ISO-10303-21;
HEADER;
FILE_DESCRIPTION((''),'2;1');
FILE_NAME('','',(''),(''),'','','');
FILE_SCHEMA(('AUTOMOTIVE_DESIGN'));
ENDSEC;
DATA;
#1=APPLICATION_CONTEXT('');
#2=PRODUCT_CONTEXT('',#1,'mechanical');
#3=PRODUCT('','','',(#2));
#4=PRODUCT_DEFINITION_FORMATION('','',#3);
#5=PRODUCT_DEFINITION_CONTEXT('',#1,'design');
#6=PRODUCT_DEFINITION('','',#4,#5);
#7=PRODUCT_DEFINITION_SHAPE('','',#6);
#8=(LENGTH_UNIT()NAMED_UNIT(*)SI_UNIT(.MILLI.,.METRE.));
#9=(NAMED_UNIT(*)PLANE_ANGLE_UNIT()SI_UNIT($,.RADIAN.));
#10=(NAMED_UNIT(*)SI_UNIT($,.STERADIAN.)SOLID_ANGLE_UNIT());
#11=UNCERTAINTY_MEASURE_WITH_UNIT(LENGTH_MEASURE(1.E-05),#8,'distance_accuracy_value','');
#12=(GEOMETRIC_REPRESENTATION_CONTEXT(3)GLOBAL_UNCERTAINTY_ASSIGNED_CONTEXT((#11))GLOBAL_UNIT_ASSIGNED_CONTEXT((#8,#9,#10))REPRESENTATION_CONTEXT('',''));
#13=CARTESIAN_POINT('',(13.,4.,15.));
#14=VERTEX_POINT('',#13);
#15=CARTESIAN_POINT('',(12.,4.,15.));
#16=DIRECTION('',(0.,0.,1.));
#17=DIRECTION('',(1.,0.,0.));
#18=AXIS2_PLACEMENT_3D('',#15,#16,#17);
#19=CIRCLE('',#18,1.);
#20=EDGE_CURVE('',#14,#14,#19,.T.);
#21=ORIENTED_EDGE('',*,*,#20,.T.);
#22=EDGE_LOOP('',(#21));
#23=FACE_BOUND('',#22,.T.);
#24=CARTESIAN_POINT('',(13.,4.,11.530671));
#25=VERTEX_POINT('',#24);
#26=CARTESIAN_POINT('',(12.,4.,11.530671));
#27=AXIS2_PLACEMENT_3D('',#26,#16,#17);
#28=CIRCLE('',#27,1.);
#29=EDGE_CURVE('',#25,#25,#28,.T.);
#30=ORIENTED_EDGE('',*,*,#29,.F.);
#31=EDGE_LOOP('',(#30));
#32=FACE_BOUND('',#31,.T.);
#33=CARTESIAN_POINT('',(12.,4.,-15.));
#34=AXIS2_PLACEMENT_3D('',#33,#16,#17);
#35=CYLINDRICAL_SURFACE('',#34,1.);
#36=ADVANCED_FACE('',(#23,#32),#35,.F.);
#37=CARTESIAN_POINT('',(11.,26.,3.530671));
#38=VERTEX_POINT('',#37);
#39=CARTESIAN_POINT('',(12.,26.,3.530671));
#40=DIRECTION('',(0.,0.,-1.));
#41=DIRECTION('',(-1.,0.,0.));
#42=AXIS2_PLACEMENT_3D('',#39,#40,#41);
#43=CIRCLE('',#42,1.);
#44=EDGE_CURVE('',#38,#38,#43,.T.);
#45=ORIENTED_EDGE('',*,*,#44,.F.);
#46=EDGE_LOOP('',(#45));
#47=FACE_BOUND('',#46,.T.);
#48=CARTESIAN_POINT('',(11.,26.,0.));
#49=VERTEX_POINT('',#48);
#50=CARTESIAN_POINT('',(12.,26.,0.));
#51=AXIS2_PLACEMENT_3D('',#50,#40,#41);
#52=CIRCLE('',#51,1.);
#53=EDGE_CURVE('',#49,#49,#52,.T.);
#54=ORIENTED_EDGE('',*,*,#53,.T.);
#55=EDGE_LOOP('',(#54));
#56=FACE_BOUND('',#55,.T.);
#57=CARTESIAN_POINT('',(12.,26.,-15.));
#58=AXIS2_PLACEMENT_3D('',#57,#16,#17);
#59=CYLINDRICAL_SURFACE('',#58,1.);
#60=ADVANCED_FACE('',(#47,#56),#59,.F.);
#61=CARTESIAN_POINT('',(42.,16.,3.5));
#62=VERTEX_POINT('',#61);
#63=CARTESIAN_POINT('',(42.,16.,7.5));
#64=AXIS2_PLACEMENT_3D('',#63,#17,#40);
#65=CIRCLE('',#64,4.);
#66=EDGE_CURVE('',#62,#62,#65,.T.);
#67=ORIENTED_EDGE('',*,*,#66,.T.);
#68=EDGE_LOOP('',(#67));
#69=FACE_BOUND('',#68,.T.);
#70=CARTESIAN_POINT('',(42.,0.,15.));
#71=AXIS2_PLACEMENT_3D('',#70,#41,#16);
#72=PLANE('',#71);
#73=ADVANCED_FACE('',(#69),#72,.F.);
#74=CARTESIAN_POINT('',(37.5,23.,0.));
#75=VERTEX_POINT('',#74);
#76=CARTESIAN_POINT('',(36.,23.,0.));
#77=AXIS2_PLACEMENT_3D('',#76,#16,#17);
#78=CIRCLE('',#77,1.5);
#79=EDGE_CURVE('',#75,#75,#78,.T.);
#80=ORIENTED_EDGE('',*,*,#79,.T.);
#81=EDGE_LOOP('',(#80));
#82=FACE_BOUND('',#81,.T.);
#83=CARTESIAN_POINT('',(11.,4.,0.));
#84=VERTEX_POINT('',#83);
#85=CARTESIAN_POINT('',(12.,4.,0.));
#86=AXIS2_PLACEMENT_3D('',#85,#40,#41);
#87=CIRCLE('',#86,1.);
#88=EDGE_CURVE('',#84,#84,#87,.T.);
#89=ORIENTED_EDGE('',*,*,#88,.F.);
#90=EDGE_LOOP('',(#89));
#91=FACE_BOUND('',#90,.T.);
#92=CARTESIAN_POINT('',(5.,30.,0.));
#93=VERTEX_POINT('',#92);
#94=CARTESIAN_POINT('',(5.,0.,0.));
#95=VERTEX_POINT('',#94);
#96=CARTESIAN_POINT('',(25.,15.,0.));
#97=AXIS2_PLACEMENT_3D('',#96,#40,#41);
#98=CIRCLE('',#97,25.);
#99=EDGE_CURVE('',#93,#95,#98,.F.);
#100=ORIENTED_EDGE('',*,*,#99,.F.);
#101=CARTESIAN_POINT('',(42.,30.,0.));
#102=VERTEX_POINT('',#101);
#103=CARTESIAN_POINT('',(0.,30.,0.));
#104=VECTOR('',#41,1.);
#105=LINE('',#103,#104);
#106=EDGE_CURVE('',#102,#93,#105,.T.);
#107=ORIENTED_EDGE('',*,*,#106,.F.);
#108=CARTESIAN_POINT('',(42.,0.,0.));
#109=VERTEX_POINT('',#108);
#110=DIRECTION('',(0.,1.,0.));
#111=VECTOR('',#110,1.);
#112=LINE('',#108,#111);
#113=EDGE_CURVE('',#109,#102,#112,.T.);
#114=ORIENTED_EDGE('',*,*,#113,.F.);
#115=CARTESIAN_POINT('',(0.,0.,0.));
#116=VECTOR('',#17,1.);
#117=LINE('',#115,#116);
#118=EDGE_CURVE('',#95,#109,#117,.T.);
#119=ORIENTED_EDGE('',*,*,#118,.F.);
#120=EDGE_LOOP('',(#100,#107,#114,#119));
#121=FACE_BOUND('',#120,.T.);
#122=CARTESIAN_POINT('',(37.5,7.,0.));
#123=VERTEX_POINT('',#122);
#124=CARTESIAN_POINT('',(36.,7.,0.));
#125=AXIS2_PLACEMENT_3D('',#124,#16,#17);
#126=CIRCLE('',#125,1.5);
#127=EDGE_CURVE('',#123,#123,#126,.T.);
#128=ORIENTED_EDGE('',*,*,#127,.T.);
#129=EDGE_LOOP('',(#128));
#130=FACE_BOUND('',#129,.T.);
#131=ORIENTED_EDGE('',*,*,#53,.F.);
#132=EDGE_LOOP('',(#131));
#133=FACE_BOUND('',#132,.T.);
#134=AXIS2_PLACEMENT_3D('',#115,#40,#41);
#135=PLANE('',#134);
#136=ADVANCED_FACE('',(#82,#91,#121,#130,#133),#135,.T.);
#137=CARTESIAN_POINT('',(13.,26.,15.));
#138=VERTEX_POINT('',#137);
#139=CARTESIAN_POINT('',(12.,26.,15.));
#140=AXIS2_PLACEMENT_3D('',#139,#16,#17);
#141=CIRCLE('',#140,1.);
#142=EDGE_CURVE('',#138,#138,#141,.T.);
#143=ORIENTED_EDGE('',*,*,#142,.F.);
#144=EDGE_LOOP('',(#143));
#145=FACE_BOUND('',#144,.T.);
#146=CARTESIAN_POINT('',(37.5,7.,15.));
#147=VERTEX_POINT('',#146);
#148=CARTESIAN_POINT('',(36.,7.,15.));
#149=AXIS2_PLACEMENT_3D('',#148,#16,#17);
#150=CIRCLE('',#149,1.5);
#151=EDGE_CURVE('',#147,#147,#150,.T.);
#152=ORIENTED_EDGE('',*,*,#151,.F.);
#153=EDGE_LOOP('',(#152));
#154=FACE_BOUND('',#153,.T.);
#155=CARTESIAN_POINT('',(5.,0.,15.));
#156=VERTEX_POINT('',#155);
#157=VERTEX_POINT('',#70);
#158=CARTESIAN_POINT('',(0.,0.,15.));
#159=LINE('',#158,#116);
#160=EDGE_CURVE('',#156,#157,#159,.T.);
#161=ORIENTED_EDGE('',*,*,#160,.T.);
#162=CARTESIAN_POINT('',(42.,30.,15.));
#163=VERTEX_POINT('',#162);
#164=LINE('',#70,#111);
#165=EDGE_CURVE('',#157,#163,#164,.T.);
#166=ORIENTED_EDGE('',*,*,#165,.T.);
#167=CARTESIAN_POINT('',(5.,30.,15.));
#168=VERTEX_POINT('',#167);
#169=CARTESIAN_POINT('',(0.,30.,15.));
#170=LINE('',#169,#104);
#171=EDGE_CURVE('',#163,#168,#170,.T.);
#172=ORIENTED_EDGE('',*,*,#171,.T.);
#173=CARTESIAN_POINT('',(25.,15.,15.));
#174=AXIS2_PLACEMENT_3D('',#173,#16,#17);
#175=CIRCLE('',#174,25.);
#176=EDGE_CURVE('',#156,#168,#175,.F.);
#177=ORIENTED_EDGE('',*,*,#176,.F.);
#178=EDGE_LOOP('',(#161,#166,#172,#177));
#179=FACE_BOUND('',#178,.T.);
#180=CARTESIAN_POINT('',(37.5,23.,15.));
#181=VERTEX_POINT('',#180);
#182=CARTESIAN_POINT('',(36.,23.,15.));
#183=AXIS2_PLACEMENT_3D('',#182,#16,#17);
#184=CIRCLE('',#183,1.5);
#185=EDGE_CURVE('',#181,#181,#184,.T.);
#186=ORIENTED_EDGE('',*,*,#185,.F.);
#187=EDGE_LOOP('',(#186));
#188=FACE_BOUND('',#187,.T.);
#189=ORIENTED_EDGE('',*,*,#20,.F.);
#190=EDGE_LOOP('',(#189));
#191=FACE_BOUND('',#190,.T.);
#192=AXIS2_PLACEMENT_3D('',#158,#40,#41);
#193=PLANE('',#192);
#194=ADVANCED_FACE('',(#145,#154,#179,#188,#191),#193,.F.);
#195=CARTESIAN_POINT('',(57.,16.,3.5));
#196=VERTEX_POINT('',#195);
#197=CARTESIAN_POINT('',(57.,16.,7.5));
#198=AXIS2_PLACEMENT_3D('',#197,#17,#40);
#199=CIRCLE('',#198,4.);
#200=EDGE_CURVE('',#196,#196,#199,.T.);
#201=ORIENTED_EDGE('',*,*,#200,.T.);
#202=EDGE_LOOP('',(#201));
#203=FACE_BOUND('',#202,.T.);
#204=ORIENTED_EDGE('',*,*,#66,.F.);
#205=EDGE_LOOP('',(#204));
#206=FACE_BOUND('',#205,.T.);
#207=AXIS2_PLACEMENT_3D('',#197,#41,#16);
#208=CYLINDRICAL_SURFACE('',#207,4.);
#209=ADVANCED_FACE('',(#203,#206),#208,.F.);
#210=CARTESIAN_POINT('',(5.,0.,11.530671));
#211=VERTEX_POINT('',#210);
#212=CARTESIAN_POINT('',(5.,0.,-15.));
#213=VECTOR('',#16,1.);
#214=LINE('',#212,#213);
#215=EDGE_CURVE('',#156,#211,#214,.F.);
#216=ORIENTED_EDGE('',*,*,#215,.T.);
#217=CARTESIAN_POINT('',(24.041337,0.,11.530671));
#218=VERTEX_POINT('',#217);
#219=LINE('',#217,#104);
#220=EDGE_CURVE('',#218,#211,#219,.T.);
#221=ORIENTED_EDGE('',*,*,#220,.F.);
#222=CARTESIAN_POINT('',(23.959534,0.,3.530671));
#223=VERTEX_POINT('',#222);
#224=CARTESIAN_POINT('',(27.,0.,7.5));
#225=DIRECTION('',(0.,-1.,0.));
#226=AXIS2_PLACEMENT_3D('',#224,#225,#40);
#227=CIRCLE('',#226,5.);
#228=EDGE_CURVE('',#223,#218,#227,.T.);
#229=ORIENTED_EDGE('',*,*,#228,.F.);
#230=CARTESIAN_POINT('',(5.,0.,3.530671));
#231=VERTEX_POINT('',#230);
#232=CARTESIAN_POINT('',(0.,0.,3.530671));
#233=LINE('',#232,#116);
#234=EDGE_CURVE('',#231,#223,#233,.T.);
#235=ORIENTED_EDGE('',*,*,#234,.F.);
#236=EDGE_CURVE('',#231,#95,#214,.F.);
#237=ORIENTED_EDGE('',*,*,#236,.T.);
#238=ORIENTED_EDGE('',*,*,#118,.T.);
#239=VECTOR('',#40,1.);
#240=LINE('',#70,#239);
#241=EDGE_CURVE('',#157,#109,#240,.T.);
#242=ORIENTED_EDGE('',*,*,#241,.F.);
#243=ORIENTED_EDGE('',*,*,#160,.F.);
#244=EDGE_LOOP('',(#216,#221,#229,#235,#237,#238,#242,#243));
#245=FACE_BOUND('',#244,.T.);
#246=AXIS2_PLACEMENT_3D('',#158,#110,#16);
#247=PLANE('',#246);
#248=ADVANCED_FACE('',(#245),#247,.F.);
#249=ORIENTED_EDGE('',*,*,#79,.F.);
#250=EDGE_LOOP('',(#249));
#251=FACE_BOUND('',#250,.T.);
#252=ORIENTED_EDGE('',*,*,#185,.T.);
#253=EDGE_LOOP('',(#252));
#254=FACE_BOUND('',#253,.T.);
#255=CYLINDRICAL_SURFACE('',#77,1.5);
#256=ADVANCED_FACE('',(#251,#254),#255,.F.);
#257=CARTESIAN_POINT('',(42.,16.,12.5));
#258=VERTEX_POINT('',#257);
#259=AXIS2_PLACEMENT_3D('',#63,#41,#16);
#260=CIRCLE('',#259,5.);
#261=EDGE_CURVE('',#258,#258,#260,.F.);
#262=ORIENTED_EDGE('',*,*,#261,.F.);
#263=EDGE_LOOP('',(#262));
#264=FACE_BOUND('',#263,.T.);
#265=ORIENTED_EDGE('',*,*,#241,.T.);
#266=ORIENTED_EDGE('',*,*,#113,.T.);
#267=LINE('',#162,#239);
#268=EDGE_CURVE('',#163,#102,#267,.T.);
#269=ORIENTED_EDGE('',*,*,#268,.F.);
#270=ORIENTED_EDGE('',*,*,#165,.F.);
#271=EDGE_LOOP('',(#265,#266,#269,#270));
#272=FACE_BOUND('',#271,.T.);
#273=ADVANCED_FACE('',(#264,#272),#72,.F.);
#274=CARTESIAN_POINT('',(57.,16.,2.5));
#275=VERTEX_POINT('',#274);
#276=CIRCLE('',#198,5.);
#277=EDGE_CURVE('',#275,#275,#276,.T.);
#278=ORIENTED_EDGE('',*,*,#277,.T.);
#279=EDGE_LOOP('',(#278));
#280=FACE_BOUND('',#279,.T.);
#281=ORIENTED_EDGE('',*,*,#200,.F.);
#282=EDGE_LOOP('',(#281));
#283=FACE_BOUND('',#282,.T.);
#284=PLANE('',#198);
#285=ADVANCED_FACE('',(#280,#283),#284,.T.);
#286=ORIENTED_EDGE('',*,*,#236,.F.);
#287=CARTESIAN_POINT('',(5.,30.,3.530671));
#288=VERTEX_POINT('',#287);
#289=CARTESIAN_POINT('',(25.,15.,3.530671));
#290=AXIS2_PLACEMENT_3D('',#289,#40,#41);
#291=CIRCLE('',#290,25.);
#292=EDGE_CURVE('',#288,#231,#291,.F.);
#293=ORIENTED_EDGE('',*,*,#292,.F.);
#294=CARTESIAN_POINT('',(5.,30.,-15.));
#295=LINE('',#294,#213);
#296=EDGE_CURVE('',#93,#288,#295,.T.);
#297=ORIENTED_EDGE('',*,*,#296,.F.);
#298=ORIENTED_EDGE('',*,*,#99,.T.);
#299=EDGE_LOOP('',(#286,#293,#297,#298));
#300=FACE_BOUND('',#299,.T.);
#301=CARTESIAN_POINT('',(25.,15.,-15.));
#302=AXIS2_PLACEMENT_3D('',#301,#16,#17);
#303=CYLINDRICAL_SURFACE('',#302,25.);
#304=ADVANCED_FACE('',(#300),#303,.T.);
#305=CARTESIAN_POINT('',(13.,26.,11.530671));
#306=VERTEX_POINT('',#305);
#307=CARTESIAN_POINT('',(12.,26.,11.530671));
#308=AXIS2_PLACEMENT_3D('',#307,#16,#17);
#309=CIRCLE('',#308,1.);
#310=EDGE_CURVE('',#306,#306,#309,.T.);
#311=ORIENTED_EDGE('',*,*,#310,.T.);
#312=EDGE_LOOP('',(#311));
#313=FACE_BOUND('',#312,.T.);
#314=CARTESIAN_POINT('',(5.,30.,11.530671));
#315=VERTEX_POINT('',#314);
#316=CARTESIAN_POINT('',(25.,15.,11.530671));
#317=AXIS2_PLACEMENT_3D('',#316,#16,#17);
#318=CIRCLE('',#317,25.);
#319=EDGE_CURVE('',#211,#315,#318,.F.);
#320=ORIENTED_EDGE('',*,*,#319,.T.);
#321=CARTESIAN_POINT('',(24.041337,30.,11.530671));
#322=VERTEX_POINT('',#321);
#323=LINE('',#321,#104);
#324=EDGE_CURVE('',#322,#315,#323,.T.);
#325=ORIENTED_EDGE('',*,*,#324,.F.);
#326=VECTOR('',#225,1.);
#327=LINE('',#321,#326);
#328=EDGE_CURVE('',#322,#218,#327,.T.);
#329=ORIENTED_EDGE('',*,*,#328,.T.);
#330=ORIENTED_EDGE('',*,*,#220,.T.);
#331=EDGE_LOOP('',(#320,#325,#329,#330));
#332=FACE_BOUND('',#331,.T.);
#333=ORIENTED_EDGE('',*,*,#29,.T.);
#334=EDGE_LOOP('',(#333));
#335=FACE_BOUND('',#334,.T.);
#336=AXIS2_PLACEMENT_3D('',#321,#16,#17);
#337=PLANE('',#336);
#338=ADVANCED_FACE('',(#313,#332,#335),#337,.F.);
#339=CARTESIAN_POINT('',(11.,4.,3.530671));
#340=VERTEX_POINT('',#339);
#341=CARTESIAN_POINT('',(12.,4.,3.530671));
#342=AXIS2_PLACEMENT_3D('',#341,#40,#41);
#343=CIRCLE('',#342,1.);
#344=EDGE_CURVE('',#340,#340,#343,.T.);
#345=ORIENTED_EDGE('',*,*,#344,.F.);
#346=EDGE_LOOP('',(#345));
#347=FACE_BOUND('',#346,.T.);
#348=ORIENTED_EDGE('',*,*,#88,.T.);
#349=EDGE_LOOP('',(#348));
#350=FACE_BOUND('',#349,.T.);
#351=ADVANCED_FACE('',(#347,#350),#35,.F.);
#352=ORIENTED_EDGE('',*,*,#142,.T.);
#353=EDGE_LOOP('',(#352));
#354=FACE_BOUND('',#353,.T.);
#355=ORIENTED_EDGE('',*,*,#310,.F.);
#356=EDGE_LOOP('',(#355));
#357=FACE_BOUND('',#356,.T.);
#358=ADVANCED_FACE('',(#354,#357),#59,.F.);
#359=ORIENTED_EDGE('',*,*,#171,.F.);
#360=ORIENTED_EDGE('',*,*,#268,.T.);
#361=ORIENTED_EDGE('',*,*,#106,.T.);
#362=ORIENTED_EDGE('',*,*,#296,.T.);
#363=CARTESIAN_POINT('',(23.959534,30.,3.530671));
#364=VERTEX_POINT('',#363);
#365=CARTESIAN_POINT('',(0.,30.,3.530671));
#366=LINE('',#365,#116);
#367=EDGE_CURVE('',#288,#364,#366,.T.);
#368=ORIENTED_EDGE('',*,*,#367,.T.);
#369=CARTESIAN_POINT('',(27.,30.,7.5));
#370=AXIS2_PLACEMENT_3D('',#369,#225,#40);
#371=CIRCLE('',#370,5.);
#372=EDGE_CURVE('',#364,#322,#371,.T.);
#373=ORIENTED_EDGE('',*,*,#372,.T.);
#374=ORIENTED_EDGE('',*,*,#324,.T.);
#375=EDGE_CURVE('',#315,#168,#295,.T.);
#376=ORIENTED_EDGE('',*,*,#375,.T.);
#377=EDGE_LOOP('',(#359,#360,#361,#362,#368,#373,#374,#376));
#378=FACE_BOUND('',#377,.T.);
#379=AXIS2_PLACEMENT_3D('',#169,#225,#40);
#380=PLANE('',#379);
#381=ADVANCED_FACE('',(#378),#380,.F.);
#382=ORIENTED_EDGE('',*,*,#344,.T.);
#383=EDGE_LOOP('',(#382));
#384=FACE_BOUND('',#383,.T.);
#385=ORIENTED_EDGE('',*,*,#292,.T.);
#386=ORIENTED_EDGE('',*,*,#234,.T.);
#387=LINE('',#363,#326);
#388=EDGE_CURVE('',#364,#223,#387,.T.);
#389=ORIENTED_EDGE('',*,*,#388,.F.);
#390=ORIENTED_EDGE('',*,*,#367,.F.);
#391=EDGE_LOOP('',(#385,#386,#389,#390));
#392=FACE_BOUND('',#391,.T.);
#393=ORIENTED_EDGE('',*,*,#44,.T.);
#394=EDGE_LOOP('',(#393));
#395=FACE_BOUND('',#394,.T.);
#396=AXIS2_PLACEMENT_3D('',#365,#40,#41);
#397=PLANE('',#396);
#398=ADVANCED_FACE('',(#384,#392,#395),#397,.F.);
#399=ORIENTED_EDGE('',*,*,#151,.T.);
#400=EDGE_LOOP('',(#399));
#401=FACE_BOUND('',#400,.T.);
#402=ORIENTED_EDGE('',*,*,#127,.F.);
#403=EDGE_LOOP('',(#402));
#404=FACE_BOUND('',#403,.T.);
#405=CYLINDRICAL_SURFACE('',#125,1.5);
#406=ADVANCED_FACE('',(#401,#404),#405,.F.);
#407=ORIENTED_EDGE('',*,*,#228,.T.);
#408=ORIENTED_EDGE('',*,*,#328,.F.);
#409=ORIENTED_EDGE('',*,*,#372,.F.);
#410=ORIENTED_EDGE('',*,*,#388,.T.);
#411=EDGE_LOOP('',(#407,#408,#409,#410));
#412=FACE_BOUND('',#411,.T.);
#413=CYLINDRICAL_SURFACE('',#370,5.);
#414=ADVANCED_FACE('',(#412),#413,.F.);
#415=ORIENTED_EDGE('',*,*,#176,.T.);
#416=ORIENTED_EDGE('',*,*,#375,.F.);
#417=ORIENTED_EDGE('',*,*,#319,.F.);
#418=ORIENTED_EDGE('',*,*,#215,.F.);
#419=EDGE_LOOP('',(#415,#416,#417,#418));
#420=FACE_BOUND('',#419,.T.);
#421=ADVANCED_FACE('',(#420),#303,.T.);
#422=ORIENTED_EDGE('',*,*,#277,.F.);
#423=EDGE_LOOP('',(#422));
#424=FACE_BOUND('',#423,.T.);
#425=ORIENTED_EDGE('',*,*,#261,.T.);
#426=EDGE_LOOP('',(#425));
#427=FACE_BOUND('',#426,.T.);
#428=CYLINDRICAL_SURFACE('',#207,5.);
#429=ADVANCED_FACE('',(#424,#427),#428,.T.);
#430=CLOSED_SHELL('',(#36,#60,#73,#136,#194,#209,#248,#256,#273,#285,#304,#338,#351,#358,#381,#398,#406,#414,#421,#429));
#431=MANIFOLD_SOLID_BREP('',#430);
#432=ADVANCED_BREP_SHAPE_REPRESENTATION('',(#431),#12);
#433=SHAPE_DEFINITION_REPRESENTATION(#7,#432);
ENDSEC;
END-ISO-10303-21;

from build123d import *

# Parameters (mm, degrees)
SKETCH1_W           = 42
SKETCH1_H           = 30
BOSS_EXTRUDE1_DEPTH = 15
SKETCH3_R           = 1.5
CUT_EXTRUDE1_DEPTH  = 15
SKETCH4_R           = 5
SKETCH4_R_2         = 4
BOSS_EXTRUDE2_DEPTH = 15
CUT_EXTRUDE2_DEPTH  = 30
CUT_EXTRUDE3_DEPTH  = 30
SKETCH7_R           = 1
CUT_EXTRUDE4_DEPTH  = 30


with BuildPart() as part:
    # Sketch1 → Boss-Extrude1 (new body)
    with BuildSketch(Plane.XY):
        with Locations((21, 15)):
            Rectangle(SKETCH1_W, SKETCH1_H)
    extrude(amount=BOSS_EXTRUDE1_DEPTH)

    # Sketch3 → Cut-Extrude1 (cut)
    with BuildSketch(Plane.XY.offset(15)):
        with Locations((36, 23)):
            Circle(SKETCH3_R)
        with Locations((36, 7)):
            Circle(SKETCH3_R)
    extrude(amount=-CUT_EXTRUDE1_DEPTH, mode=Mode.SUBTRACT)

    # Sketch4 → Boss-Extrude2 (add)
    with BuildSketch(Plane(origin=(42, 0, 0), x_dir=(0, 0, -1), z_dir=(1, 0, 0))):
        with Locations(Location((-7.5, 16, 0), (0, 0, 180))):
            Circle(SKETCH4_R)
        with Locations((-7.5, 16)):
            Circle(SKETCH4_R_2, mode=Mode.SUBTRACT)
    extrude(amount=BOSS_EXTRUDE2_DEPTH)

    # Sketch5 → Cut-Extrude2 (cut)
    with BuildSketch(Plane.XZ):
        with BuildLine():
            Line((24.041336888, 11.530671481), (0, 11.530671481))
            Line((0, 11.530671481), (0, 3.530671481))
            Line((0, 3.530671481), (23.959534392, 3.530671481))
            ThreePointArc((23.959534392, 3.530671481), (31.999738628, 7.448876113), (24.041336888, 11.530671481))
        make_face()
    extrude(amount=-CUT_EXTRUDE2_DEPTH, mode=Mode.SUBTRACT)

    # Sketch6 → Cut-Extrude3 (cut)
    with BuildSketch(Plane.XY.offset(15)):
        with BuildLine():
            ThreePointArc((0, 15), (1.282917549, 22.90569415), (5, 30))
            Line((5, 30), (0, 30))
            Line((0, 30), (0, 15))
        make_face()
        with BuildLine():
            ThreePointArc((5, 0), (1.282917549, 7.09430585), (0, 15))
            Line((0, 15), (0, 0))
            Line((0, 0), (5, 0))
        make_face()
    extrude(amount=-CUT_EXTRUDE3_DEPTH, mode=Mode.SUBTRACT)

    # Sketch7 → Cut-Extrude4 (cut)
    with BuildSketch(Plane.XY.offset(15)):
        with Locations((12, 26)):
            Circle(SKETCH7_R)
        with Locations((12, 4)):
            Circle(SKETCH7_R)
    extrude(amount=-CUT_EXTRUDE4_DEPTH, mode=Mode.SUBTRACT)


solid = part.part
